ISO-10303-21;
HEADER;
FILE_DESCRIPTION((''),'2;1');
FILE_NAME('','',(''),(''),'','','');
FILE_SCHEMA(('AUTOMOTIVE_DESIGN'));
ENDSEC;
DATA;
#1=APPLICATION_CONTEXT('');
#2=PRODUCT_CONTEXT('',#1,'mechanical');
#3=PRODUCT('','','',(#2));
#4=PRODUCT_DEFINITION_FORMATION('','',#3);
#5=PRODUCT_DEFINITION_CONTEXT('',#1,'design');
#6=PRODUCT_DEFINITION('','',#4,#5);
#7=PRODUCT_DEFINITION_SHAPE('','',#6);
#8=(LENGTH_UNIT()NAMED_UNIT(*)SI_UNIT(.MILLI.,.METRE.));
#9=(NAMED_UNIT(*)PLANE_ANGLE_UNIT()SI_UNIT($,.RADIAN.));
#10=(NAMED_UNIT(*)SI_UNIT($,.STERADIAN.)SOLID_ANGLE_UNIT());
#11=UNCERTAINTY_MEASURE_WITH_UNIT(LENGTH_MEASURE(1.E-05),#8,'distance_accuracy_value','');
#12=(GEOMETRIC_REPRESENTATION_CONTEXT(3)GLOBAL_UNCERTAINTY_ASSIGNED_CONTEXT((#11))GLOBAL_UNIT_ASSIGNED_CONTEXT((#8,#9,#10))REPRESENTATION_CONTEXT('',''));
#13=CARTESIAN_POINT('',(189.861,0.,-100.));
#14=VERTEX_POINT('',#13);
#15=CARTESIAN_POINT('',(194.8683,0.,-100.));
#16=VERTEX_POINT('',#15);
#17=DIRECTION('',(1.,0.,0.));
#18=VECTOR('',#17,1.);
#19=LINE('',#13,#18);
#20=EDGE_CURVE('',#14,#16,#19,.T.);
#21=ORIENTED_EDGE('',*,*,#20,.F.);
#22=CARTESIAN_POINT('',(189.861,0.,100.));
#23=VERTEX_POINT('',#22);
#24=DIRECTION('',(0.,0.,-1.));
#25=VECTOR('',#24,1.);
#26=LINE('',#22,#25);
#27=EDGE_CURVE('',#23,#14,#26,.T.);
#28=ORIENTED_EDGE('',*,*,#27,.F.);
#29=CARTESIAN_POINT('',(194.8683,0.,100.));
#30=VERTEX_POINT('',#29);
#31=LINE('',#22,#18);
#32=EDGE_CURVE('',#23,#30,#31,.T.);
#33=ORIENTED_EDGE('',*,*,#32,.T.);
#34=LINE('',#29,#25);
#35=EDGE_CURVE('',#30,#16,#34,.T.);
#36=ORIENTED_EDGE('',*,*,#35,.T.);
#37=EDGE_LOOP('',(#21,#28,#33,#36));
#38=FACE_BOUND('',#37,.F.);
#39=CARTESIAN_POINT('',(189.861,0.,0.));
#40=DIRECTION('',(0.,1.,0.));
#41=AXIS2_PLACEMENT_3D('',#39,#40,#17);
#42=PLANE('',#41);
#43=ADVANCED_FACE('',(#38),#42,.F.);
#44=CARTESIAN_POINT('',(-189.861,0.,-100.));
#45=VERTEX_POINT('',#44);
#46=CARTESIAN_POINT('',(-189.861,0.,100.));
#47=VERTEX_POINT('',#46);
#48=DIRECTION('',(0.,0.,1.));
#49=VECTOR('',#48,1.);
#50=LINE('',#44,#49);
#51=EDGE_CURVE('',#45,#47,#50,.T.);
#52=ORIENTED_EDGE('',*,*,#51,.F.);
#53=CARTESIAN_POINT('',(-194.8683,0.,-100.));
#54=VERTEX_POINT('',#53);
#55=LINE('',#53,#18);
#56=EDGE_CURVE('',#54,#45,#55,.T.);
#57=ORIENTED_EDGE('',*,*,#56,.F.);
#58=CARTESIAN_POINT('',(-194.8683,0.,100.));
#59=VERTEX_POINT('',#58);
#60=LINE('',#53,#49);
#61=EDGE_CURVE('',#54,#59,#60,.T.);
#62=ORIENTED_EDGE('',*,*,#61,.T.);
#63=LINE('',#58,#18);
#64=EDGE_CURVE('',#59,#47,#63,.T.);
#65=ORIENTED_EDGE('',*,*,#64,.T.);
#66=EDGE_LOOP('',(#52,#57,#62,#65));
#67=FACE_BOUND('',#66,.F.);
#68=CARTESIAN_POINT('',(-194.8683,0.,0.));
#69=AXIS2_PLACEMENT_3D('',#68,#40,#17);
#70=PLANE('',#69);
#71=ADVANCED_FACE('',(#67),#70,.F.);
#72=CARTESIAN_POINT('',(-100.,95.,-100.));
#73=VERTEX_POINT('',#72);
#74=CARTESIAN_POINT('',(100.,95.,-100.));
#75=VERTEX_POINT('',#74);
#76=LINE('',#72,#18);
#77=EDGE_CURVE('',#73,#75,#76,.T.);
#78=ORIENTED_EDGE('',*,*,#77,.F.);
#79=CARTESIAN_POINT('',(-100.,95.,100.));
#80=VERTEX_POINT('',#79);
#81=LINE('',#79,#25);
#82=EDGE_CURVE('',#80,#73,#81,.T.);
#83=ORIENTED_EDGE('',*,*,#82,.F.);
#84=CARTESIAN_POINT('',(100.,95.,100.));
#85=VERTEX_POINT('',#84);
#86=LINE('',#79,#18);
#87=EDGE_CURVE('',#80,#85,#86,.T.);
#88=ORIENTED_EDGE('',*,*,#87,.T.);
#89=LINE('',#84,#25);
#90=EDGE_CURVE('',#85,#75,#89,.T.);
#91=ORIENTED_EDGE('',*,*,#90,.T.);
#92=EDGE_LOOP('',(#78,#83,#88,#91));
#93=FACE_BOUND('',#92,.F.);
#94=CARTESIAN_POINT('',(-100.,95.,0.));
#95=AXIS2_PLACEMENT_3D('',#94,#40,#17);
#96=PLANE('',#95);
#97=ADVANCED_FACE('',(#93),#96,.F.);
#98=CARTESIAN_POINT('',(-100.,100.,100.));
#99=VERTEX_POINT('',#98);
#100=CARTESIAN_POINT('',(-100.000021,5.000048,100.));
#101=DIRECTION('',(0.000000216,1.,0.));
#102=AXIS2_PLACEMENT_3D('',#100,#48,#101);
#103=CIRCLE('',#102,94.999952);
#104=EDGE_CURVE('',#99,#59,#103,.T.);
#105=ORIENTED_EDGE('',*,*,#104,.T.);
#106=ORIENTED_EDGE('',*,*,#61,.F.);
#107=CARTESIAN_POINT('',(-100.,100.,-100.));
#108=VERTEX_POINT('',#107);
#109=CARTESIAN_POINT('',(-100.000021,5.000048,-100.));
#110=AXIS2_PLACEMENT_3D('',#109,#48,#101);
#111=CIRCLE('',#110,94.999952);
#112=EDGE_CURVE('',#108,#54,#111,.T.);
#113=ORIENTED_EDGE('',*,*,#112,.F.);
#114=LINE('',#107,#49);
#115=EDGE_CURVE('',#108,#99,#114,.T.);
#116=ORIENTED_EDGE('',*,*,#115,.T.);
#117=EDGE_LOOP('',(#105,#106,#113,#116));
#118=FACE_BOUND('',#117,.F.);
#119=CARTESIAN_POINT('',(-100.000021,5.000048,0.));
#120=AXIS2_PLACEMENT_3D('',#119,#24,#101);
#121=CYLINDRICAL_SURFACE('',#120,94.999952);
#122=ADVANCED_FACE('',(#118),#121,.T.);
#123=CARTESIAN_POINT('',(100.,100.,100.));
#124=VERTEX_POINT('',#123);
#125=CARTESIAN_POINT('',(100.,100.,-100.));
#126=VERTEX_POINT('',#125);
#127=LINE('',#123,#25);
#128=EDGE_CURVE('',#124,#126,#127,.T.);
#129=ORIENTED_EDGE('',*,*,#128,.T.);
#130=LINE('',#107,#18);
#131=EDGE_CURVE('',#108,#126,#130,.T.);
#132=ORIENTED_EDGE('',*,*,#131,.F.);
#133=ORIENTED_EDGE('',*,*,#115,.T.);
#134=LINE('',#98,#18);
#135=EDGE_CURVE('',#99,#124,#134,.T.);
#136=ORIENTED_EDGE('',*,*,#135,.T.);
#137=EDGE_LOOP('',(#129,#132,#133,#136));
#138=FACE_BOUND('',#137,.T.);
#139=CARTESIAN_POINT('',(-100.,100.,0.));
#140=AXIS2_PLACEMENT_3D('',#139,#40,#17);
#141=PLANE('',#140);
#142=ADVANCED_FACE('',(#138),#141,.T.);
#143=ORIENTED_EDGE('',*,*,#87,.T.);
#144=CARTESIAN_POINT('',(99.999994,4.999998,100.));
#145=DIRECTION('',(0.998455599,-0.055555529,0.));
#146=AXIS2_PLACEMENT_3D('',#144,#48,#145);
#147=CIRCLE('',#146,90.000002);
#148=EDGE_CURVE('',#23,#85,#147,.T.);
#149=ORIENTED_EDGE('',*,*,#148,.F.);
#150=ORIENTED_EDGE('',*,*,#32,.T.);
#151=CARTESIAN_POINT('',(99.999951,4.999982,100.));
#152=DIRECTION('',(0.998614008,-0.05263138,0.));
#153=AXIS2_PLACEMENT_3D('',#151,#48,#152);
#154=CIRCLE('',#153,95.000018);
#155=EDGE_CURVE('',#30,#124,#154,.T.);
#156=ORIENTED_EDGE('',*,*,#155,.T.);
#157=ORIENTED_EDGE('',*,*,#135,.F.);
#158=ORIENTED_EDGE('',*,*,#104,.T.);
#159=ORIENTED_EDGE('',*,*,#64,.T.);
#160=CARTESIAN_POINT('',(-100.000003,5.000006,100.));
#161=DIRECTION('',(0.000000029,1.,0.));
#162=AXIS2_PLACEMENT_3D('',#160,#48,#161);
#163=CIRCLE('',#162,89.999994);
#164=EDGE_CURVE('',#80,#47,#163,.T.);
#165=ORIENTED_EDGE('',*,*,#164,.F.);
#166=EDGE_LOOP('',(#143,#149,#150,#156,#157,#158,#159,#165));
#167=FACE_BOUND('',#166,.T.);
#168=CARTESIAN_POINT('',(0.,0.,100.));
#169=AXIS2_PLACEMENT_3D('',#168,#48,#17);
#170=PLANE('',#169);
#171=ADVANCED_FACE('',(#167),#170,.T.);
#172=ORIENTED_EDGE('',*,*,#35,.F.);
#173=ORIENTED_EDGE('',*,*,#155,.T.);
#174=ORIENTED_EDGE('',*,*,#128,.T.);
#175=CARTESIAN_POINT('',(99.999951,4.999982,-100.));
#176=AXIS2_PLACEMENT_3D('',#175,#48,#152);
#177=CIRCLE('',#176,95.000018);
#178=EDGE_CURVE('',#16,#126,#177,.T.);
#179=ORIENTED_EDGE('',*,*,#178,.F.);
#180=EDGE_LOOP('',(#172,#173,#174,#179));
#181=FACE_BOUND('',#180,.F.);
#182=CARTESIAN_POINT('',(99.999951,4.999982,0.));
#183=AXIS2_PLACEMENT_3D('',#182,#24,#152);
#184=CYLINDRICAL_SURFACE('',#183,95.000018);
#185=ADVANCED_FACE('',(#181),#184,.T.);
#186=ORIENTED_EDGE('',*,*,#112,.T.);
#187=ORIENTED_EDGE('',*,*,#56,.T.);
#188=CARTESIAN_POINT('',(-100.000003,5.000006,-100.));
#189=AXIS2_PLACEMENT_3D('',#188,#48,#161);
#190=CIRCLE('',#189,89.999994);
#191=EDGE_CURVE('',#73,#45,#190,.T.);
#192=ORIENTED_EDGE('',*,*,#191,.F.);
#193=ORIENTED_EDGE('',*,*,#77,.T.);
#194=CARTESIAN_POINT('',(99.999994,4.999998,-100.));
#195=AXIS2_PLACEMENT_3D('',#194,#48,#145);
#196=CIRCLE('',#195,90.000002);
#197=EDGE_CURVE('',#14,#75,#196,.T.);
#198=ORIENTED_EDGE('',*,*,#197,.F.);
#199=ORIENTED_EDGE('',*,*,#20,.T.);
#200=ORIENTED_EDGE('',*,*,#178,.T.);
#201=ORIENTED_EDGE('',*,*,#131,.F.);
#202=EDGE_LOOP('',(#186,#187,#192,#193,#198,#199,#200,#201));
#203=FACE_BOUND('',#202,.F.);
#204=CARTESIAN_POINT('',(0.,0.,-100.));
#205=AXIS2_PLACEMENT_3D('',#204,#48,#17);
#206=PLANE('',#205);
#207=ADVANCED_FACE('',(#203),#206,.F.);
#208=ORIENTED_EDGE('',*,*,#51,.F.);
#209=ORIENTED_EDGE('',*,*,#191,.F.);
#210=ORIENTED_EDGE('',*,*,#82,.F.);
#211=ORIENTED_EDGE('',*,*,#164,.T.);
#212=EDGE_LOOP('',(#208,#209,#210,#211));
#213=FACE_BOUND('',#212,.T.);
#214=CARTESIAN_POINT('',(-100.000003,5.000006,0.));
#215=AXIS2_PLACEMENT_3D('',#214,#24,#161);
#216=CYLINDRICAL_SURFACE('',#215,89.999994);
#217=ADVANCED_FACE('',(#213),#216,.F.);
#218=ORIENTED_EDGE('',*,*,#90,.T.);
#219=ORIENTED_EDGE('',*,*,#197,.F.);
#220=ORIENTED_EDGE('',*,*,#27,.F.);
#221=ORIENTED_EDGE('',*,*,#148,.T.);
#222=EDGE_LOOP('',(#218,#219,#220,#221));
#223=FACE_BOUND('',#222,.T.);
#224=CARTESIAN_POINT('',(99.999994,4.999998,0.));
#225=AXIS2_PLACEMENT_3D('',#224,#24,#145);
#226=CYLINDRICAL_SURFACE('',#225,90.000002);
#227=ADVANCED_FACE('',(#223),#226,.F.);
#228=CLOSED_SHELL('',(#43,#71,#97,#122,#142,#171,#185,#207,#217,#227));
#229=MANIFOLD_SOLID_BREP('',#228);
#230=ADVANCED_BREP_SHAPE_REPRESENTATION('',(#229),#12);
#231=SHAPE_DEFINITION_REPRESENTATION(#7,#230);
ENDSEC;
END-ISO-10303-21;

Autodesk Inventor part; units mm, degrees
sketch "Sketch1" plane through (0, 0, 0) normal (0, 0, 1) x (1, 0, 0)
  line L0 (-100, 100) -> (100, 100)
  arc A0 (-100, 100) -> (-194.8683, 0) centre (-100, 5) ccw
  arc A1 (194.8683, 0) -> (100, 100) centre (100, 5) ccw
  arc A2 (-100, 95) -> (-189.861, 0) centre (-100, 5) ccw
  line L1 (-100, 95) -> (100, 95)
  arc A3 (189.861, 0) -> (100, 95) centre (100, 5) ccw
  line L2 (-194.8683, 0) -> (-189.861, 0)
  line L3 (189.861, 0) -> (194.8683, 0)
  point P0 (0, 0)
  point P1 (0, 100)
  dimension "d0" = 200
  dimension "d1" = 100
  dimension "d3" = 5
  dimension "d9" = 90
extrude "Extrusion1" add sketch "Sketch1" along normal mid plane 200
properties part number "Sessao_28_03_003_001" material "Wood (Walnut)"
